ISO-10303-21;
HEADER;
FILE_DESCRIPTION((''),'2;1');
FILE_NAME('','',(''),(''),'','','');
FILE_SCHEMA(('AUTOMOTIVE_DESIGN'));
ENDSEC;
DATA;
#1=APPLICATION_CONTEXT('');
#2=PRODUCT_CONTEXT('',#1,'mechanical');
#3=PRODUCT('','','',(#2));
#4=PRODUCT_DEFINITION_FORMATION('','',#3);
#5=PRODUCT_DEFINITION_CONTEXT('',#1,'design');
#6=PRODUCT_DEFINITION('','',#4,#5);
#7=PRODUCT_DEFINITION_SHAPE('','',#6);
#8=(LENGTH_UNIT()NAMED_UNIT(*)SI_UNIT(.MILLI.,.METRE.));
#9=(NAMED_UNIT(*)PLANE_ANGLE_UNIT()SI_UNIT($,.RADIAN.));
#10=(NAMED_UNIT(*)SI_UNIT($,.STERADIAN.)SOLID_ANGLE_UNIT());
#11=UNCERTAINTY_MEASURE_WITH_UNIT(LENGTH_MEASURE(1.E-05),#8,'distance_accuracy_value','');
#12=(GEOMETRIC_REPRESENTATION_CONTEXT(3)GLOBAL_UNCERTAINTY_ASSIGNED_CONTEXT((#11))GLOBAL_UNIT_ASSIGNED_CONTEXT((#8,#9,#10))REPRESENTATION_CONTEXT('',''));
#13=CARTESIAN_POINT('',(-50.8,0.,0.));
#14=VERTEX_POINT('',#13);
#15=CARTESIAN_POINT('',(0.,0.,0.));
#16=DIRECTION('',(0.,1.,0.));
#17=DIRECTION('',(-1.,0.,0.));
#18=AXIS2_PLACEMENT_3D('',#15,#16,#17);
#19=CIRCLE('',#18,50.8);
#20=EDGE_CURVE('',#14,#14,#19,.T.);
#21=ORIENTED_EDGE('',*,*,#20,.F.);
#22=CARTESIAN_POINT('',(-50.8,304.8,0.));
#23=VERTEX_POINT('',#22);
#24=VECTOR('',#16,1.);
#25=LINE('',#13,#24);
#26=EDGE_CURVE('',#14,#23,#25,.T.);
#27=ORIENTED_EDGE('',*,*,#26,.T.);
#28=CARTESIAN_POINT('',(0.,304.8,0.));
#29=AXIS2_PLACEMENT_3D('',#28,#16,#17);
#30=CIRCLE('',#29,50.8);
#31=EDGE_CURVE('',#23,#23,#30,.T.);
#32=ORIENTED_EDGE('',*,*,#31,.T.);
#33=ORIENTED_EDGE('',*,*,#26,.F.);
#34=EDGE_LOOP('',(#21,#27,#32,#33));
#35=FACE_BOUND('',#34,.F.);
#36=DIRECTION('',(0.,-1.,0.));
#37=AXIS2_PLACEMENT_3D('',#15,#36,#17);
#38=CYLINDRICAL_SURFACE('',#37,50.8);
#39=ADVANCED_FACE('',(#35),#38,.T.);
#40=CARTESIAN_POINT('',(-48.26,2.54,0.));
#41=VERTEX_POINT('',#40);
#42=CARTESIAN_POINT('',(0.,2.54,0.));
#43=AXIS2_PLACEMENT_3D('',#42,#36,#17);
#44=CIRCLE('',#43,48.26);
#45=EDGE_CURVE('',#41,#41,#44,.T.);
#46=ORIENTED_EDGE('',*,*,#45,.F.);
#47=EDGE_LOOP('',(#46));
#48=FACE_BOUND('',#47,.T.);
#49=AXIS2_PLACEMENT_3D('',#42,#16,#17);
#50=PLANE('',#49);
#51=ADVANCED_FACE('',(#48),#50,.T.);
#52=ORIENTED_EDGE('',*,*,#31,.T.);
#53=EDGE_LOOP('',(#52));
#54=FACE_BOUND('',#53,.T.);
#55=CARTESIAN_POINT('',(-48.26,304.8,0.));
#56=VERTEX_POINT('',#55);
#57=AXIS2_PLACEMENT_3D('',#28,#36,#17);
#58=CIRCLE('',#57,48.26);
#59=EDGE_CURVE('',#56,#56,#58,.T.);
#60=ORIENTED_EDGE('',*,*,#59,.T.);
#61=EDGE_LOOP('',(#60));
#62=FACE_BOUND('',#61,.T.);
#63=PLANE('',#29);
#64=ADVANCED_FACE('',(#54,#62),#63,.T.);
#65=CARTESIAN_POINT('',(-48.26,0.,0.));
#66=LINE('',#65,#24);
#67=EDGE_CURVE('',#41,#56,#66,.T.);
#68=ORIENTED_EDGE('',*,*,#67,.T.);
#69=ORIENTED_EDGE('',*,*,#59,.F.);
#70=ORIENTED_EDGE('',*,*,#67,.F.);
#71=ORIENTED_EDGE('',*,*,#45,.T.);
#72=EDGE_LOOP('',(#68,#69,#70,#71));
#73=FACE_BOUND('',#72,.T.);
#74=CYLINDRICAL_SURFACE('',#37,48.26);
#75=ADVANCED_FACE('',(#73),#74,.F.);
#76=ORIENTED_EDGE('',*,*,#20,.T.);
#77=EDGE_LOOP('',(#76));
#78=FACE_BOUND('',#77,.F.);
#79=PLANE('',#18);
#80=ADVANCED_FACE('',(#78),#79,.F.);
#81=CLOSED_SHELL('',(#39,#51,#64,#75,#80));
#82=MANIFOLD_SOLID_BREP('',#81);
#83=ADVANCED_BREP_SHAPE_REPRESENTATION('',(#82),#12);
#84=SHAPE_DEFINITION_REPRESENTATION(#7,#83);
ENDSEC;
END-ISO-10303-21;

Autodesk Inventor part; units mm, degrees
ref_plane "YZ Plane" through (0, 0, 0) normal (1, 0, 0) x (0, 1, 0)
ref_plane "XZ Plane" through (0, 0, 0) normal (0, 1, 0) x (-1, 0, 0)
ref_plane "XY Plane" through (0, 0, 0) normal (0, 0, 1) x (1, 0, 0)
sketch "Sketch1" plane through (0, 0, 0) normal (0, 1, 0) x (-1, 0, 0)
  circle A0 centre (0, 0) radius 50.8
  dimension "d0" = 101.6
extrude "Extrusion1" add sketch "Sketch1" along normal blind 304.8
shell "Shell1" thickness 2.54 removed faces 1 at (7.3018, 304.8, 11.5135)
properties part number "Reservour - placeholder"
